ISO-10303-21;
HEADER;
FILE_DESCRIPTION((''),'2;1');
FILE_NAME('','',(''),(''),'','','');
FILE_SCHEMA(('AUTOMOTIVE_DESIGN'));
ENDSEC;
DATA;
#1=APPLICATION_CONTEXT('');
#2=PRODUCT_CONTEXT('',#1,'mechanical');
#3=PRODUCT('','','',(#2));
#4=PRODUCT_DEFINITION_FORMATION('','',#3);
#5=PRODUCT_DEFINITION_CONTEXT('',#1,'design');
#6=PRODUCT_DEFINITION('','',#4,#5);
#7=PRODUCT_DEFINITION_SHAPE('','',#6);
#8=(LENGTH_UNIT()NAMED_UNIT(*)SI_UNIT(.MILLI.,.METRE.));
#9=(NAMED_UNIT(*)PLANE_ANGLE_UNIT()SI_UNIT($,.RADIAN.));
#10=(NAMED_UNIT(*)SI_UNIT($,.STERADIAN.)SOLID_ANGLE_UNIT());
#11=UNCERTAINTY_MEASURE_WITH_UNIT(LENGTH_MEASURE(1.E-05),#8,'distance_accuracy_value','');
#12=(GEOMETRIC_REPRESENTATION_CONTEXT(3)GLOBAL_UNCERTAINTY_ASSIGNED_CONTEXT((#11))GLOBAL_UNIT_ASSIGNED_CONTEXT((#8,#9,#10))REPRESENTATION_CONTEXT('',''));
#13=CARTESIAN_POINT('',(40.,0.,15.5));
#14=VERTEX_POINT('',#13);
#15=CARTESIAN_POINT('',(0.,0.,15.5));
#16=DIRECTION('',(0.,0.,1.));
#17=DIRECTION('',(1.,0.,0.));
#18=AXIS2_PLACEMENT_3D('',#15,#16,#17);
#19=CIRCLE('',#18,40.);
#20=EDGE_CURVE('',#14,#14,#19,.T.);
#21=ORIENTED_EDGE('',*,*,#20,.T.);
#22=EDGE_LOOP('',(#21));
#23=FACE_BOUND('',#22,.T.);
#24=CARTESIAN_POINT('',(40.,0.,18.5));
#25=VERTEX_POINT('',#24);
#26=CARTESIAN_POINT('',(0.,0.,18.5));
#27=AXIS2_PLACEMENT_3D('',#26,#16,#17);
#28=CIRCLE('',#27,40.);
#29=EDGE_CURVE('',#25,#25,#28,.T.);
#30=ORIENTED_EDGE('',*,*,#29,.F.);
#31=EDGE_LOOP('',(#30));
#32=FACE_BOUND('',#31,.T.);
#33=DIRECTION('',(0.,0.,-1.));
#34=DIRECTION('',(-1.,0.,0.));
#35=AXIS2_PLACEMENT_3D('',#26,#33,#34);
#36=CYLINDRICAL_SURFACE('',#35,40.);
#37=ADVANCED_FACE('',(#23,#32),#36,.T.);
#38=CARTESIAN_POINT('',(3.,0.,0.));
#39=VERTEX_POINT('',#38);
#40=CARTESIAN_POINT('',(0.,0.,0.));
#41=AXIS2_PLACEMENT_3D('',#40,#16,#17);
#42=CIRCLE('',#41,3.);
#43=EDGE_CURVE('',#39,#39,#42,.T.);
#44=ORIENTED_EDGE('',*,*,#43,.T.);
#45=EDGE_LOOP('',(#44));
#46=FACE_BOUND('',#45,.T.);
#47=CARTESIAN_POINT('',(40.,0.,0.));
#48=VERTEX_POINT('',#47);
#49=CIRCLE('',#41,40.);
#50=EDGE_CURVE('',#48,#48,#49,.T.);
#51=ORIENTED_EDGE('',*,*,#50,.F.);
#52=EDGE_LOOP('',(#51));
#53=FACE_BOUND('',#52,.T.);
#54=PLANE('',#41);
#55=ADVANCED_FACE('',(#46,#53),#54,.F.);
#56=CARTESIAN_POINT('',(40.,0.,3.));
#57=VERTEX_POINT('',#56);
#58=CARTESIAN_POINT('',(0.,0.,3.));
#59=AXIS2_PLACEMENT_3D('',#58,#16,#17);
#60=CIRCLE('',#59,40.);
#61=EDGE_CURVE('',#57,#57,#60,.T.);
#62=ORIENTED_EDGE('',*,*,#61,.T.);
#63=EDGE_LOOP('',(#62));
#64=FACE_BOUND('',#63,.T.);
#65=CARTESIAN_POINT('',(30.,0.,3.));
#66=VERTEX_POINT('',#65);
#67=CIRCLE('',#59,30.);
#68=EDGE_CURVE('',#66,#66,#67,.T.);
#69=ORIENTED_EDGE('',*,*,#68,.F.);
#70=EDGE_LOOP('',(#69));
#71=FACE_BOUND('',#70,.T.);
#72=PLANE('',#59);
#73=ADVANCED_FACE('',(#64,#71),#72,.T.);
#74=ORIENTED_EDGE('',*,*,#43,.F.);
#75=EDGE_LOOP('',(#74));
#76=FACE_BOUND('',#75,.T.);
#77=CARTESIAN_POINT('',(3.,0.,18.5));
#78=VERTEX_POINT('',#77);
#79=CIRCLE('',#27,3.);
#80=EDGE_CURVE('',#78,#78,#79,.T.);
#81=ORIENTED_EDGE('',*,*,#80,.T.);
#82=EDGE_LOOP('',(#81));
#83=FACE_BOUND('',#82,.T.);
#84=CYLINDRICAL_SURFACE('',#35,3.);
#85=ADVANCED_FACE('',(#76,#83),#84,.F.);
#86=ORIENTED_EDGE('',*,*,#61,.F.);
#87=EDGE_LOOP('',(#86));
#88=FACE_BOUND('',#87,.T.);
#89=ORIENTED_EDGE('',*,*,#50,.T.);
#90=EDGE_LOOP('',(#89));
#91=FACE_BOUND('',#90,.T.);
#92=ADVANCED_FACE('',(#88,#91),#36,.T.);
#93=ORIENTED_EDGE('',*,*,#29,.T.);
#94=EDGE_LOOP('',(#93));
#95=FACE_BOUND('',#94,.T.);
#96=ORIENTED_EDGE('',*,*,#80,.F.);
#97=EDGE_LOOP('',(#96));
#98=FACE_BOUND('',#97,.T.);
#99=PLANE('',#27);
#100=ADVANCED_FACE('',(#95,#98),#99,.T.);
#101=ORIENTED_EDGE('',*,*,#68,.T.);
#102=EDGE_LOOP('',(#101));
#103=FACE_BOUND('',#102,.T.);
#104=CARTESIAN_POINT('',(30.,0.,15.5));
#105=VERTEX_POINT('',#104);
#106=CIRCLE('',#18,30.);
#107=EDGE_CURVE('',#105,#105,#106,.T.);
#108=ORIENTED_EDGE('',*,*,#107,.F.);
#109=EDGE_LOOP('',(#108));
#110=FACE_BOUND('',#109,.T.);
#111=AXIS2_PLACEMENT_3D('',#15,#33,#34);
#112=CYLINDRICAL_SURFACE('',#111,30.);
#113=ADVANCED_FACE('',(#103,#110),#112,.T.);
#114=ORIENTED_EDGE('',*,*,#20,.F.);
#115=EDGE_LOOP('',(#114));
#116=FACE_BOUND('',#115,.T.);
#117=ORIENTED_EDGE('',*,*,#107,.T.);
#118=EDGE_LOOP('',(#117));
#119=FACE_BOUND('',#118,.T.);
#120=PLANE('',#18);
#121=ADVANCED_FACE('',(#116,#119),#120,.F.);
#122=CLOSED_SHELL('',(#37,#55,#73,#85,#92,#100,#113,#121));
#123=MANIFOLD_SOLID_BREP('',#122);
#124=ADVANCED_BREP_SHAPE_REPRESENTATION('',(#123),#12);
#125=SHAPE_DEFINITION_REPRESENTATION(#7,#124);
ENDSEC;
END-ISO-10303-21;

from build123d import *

# Parameters (mm, degrees)
SKETCH1_R               = 40
SKETCH1_R_2             = 30
SKETCH1_R_3             = 3
BOSS_EXTRUDE1_DEPTH     = 18.5
CUT_EXTRUDE1_DEPTH      = 6.25
CUT_EXTRUDE1_DEPTH_BACK = 6.25
SKETCH2_R               = 42.5
SKETCH2_R_2             = 30


with BuildPart() as part:
    # Sketch1 → Boss-Extrude1 (new body)
    # profile 1 of 2: a face of its own
    with BuildSketch(Plane.XY):
        Circle(SKETCH1_R)
        Circle(SKETCH1_R_2, mode=Mode.SUBTRACT)
    # profile 2 of 2: a face of its own
    with BuildSketch(Plane.XY):
        Circle(SKETCH1_R_2)
        Circle(SKETCH1_R_3, mode=Mode.SUBTRACT)
    extrude(amount=BOSS_EXTRUDE1_DEPTH)

    # Sketch2 → Cut-Extrude1 (cut, two sides: drawn at the far end of the back side and taken through both)
    with BuildSketch(Plane.XY.offset(9.25).offset(-CUT_EXTRUDE1_DEPTH_BACK)):
        Circle(SKETCH2_R)
        Circle(SKETCH2_R_2, mode=Mode.SUBTRACT)
    extrude(amount=CUT_EXTRUDE1_DEPTH + CUT_EXTRUDE1_DEPTH_BACK, mode=Mode.SUBTRACT)


solid = part.part
